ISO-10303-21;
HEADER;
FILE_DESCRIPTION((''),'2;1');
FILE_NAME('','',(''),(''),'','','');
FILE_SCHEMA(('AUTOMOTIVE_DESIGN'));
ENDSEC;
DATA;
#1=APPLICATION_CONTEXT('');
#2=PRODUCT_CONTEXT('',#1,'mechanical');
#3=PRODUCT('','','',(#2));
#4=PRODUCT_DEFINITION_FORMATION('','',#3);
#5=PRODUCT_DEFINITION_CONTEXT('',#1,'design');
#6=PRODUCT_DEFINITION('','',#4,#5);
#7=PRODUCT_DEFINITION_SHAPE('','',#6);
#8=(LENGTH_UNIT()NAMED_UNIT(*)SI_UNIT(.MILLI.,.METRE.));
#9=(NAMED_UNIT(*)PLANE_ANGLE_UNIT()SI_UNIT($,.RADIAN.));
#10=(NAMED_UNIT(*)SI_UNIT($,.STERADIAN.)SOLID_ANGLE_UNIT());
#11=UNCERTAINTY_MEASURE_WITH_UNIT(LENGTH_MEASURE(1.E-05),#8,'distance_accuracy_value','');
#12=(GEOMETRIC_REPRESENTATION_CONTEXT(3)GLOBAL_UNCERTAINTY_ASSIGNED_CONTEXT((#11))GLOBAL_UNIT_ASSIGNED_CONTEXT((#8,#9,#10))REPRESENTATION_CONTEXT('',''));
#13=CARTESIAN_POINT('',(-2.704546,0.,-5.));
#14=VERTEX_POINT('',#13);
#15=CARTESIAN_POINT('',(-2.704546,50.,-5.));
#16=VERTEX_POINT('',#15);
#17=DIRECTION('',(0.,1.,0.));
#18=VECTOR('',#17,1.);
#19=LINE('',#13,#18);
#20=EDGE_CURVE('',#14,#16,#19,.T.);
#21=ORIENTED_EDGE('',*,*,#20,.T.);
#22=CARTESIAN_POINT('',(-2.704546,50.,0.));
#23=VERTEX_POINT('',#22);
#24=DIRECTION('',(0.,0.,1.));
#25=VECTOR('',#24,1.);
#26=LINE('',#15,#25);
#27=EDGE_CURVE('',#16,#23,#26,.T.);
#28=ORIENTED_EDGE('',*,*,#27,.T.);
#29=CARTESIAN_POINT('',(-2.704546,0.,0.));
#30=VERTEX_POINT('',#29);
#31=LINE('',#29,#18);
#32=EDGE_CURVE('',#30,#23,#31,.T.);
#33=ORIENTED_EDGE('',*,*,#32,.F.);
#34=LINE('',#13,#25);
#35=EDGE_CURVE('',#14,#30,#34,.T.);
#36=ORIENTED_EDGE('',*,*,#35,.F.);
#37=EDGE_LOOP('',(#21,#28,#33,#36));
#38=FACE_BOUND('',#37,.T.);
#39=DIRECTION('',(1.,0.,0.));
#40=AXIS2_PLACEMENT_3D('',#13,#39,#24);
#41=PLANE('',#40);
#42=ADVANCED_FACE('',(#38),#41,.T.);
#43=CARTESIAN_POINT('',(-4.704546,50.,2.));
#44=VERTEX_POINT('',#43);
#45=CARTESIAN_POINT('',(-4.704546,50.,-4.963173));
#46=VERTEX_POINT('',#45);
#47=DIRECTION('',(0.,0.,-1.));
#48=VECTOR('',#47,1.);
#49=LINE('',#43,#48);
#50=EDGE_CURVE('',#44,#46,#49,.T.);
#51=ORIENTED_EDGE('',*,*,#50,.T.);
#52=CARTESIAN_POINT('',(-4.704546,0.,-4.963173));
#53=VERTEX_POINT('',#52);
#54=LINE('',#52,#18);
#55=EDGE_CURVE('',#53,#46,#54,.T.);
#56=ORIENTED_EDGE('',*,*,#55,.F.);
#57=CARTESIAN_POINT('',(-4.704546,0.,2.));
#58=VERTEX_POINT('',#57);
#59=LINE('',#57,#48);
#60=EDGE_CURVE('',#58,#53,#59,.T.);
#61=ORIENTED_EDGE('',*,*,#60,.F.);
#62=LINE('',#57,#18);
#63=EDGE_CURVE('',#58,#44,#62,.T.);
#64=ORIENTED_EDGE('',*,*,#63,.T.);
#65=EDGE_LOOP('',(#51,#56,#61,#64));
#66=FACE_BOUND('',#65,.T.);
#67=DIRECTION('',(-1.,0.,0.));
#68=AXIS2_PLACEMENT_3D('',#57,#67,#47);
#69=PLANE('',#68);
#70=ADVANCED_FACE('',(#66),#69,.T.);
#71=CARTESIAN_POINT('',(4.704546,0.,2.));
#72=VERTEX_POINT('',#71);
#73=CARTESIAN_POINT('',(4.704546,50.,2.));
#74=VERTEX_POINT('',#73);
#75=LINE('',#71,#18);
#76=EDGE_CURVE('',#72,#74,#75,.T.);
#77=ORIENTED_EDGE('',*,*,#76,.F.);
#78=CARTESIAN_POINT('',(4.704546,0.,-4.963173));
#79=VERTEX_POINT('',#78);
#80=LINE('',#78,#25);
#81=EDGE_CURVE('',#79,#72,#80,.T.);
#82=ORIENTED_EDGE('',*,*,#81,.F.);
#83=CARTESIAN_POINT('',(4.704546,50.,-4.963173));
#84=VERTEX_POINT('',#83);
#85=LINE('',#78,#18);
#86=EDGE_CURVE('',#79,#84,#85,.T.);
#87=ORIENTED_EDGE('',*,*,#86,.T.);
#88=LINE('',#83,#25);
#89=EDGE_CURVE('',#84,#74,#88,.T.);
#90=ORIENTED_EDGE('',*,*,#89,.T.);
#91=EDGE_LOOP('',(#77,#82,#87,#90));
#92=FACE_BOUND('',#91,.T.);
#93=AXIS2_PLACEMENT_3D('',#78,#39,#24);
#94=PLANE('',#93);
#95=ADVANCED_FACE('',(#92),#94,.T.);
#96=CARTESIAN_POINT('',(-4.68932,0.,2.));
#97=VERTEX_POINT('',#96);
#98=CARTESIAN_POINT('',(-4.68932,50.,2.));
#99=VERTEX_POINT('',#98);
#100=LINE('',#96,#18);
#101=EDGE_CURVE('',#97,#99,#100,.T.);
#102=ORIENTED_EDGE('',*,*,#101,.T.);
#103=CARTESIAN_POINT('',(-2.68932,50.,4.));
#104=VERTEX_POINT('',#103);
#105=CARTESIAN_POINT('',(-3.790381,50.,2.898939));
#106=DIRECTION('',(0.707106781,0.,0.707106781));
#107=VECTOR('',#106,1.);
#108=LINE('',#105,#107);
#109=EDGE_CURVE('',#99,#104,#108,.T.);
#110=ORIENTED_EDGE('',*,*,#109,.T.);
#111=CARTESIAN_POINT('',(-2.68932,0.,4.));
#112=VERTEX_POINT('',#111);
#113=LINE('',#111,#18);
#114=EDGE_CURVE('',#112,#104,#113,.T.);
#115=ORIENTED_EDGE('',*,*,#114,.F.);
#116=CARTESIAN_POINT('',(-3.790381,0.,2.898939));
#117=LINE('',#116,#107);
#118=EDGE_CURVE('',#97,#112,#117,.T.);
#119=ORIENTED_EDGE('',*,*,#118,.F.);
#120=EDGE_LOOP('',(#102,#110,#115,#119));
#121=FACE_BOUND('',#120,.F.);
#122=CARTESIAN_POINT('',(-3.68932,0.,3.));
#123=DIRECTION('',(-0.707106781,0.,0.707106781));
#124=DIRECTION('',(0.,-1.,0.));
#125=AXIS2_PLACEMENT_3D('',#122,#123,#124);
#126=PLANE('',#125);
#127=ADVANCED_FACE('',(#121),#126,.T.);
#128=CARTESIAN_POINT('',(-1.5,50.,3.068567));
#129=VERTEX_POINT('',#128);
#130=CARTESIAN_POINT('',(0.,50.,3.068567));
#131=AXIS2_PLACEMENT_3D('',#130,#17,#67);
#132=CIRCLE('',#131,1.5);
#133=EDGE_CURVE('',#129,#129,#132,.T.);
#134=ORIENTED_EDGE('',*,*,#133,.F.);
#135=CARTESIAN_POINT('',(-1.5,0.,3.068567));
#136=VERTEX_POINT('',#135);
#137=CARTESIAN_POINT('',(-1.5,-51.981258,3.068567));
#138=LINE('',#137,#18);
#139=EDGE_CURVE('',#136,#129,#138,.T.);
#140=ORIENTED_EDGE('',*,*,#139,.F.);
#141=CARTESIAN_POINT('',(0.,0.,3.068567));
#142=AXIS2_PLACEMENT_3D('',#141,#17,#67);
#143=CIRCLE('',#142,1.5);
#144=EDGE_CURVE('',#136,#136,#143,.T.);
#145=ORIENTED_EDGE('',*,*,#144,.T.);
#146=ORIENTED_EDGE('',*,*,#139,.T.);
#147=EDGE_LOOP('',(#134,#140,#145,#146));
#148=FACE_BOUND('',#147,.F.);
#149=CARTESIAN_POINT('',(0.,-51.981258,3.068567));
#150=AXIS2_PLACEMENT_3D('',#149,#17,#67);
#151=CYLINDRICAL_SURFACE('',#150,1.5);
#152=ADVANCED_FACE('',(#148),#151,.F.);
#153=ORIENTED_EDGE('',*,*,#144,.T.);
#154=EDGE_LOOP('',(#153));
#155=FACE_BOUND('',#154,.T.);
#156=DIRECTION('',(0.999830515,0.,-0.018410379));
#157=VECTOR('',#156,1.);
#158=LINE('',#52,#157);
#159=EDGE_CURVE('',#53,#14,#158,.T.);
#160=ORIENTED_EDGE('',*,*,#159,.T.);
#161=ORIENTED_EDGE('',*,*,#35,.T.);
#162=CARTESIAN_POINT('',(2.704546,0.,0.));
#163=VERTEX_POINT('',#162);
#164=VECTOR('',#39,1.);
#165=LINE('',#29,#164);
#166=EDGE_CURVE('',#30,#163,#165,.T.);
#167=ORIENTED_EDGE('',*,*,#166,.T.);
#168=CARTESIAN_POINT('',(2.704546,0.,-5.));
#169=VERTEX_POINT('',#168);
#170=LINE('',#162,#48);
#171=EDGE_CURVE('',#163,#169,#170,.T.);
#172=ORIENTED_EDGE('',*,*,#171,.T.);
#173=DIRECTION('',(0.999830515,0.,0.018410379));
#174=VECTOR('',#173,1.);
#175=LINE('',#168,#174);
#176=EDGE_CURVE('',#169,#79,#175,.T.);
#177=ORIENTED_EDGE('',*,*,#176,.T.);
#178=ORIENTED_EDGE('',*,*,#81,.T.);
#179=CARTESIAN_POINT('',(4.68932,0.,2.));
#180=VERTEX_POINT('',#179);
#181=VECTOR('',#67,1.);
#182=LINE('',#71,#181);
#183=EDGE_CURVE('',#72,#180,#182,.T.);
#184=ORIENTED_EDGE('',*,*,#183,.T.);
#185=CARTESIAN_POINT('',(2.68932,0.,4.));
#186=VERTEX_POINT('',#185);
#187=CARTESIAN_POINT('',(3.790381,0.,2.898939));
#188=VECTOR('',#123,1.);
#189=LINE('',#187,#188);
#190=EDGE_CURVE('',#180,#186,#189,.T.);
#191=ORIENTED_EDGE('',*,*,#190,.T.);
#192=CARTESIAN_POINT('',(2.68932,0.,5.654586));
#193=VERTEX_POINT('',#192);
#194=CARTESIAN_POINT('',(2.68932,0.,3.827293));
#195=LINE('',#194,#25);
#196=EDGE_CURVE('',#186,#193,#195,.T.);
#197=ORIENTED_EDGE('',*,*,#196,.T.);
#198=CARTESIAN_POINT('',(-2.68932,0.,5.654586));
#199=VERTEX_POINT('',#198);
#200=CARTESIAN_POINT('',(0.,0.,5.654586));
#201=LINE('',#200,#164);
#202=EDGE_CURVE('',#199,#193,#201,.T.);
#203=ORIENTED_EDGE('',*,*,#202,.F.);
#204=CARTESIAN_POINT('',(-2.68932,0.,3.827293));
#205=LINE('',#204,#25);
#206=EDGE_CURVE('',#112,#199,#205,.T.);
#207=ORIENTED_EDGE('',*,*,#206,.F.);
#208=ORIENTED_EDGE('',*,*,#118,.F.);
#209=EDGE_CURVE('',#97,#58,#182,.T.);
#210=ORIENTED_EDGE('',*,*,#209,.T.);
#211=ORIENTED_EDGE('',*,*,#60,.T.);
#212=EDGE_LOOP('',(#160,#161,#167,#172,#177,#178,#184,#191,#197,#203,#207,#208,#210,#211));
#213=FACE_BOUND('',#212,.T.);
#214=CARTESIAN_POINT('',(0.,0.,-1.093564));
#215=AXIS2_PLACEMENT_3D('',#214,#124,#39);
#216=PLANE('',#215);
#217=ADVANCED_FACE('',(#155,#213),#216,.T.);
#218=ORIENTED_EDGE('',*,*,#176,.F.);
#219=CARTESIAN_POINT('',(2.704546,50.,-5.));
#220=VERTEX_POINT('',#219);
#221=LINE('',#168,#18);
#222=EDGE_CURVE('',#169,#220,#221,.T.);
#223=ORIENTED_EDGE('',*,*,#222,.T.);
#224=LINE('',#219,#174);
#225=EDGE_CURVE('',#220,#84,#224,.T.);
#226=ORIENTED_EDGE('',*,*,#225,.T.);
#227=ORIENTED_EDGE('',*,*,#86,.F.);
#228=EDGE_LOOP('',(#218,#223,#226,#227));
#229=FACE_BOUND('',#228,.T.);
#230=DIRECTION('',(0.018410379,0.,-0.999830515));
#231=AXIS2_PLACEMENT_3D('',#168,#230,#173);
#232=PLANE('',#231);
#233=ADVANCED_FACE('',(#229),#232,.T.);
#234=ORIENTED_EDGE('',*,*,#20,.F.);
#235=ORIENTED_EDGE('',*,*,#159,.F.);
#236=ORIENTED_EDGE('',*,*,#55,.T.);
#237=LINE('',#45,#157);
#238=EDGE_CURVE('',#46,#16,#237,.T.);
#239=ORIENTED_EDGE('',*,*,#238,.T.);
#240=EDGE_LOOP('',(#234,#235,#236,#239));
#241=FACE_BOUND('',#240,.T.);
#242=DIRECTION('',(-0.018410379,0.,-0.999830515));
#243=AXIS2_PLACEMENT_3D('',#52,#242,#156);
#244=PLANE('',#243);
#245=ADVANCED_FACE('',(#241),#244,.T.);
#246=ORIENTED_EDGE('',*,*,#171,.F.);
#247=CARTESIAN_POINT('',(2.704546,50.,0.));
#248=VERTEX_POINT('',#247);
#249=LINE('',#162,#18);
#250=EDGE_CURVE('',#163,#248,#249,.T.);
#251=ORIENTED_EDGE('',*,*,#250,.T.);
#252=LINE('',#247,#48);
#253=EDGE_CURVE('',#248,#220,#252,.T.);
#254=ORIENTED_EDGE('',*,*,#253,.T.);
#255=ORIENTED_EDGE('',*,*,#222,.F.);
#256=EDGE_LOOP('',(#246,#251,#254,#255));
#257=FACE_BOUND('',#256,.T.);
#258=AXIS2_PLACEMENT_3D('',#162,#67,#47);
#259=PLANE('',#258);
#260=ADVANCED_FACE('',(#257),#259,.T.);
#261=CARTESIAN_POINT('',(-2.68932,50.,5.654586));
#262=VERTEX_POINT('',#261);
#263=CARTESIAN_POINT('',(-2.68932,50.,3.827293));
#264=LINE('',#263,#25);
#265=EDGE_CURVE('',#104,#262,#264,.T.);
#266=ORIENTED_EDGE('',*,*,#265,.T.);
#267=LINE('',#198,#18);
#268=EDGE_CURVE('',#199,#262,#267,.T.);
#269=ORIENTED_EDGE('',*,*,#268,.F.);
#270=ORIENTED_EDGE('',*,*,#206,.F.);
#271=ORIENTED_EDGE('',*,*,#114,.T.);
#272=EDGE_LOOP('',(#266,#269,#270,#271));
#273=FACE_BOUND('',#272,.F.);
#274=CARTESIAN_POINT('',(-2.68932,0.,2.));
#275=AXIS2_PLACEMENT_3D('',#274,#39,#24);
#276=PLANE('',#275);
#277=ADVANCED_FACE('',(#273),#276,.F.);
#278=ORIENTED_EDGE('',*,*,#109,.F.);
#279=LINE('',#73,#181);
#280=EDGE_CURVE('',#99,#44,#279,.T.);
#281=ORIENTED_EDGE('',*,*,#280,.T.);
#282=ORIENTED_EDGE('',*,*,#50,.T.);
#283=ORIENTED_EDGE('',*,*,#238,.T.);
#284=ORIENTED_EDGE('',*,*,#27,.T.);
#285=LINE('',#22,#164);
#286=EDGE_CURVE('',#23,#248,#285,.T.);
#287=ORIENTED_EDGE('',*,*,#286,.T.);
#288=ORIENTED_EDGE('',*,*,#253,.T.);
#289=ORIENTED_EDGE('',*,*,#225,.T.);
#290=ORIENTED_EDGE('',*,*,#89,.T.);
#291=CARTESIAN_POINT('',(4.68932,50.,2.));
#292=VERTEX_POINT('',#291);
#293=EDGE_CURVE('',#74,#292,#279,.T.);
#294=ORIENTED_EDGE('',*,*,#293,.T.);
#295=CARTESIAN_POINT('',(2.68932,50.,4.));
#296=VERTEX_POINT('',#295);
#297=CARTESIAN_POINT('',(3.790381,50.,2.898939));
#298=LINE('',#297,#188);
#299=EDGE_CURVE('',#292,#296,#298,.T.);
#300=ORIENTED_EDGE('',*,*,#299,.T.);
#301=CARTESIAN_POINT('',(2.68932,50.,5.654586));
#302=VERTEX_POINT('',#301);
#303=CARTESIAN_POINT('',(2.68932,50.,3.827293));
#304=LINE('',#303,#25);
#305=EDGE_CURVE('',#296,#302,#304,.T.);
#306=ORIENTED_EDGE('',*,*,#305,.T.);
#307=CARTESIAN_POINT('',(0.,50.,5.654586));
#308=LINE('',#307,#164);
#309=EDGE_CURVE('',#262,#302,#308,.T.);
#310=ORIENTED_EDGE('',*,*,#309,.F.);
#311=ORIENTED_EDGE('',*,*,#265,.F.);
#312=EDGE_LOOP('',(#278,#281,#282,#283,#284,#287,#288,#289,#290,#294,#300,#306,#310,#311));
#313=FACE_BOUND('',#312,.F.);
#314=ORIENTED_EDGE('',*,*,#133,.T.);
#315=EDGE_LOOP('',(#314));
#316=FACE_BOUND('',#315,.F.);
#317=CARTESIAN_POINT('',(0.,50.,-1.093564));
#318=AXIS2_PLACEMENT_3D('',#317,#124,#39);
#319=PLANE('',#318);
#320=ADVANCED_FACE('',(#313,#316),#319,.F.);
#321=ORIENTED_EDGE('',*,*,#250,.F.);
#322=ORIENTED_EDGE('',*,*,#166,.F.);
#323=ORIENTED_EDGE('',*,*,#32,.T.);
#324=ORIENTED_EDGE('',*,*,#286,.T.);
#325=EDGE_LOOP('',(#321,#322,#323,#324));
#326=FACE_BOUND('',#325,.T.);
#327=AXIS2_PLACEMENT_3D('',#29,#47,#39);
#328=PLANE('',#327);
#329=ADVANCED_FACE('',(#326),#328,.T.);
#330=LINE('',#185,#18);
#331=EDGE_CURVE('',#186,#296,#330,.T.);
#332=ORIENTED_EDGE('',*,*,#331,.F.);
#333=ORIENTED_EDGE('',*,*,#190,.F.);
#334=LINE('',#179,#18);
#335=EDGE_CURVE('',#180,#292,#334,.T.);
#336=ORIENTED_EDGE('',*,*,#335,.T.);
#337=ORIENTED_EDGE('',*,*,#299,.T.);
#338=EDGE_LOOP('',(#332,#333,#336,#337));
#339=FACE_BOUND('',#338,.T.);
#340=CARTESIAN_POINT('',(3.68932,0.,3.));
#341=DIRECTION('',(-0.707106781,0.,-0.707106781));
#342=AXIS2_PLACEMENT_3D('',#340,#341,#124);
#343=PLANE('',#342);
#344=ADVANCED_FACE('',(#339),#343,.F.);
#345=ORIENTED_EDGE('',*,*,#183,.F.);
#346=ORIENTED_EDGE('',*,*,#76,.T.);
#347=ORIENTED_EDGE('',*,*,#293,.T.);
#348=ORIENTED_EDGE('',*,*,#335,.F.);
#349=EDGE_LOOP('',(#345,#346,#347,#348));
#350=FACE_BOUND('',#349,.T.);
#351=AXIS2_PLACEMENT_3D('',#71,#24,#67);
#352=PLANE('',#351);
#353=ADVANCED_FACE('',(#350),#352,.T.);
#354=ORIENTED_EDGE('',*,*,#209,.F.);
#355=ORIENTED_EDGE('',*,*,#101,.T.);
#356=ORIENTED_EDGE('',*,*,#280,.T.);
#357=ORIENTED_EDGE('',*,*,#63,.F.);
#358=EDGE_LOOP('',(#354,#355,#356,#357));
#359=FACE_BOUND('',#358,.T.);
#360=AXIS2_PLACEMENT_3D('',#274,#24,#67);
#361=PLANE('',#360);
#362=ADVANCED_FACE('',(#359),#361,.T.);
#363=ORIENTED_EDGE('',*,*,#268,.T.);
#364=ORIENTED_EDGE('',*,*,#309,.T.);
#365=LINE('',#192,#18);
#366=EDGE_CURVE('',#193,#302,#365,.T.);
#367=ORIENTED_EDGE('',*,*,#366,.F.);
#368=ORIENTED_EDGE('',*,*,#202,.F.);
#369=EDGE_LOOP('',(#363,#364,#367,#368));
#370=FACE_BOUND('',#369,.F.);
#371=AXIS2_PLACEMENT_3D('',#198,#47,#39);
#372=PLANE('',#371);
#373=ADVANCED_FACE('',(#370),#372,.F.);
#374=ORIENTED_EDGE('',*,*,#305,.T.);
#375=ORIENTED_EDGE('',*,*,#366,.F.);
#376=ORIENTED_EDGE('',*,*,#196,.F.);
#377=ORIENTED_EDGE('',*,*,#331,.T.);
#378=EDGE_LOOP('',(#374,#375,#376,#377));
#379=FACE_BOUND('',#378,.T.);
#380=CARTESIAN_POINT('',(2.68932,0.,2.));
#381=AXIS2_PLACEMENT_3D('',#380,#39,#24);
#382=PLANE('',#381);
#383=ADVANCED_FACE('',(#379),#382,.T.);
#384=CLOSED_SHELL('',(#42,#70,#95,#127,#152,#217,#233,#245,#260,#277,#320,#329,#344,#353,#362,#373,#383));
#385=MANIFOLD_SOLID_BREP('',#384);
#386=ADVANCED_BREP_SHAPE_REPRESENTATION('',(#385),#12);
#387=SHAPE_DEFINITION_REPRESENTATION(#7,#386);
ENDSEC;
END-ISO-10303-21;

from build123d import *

# Parameters (mm, degrees)
F0_W     = 5.37864
F0_H     = 3.654586
F1_DEPTH = 50
F3_D     = 3
F4_SIZE  = 2


with BuildPart() as f1:
    # F0 (on Front) → F1 (new body)
    with BuildSketch(Plane.XZ):
        Polygon((-2.704546, -5), (-2.704546, 0), (2.704546, 0), (2.704546, -5), (4.704546, -4.963173), (4.704546, 1.118637), (4.704546, 2), (4.361257, 2), (2.68932, 2), (-2.68932, 2), (-4.704546, 2), (-4.704546, 1.118637), (-4.704546, -4.963173), align=None)
        with Locations((0, 3.827293)):
            Rectangle(F0_W, F0_H)
    extrude(amount=-F1_DEPTH)

    # F3 (through all)
    with Locations(Plane.XZ):
        with Locations((0, 3.068567)):
            Hole(F3_D / 2)

    # F4
    f4_edges = [f1.edges().sort_by_distance(p)[0] for p in [
        (2.68932, 25, 2),
        (-2.68932, 25, 2),
    ]]
    chamfer(f4_edges, length=F4_SIZE)


solid = f1.part
